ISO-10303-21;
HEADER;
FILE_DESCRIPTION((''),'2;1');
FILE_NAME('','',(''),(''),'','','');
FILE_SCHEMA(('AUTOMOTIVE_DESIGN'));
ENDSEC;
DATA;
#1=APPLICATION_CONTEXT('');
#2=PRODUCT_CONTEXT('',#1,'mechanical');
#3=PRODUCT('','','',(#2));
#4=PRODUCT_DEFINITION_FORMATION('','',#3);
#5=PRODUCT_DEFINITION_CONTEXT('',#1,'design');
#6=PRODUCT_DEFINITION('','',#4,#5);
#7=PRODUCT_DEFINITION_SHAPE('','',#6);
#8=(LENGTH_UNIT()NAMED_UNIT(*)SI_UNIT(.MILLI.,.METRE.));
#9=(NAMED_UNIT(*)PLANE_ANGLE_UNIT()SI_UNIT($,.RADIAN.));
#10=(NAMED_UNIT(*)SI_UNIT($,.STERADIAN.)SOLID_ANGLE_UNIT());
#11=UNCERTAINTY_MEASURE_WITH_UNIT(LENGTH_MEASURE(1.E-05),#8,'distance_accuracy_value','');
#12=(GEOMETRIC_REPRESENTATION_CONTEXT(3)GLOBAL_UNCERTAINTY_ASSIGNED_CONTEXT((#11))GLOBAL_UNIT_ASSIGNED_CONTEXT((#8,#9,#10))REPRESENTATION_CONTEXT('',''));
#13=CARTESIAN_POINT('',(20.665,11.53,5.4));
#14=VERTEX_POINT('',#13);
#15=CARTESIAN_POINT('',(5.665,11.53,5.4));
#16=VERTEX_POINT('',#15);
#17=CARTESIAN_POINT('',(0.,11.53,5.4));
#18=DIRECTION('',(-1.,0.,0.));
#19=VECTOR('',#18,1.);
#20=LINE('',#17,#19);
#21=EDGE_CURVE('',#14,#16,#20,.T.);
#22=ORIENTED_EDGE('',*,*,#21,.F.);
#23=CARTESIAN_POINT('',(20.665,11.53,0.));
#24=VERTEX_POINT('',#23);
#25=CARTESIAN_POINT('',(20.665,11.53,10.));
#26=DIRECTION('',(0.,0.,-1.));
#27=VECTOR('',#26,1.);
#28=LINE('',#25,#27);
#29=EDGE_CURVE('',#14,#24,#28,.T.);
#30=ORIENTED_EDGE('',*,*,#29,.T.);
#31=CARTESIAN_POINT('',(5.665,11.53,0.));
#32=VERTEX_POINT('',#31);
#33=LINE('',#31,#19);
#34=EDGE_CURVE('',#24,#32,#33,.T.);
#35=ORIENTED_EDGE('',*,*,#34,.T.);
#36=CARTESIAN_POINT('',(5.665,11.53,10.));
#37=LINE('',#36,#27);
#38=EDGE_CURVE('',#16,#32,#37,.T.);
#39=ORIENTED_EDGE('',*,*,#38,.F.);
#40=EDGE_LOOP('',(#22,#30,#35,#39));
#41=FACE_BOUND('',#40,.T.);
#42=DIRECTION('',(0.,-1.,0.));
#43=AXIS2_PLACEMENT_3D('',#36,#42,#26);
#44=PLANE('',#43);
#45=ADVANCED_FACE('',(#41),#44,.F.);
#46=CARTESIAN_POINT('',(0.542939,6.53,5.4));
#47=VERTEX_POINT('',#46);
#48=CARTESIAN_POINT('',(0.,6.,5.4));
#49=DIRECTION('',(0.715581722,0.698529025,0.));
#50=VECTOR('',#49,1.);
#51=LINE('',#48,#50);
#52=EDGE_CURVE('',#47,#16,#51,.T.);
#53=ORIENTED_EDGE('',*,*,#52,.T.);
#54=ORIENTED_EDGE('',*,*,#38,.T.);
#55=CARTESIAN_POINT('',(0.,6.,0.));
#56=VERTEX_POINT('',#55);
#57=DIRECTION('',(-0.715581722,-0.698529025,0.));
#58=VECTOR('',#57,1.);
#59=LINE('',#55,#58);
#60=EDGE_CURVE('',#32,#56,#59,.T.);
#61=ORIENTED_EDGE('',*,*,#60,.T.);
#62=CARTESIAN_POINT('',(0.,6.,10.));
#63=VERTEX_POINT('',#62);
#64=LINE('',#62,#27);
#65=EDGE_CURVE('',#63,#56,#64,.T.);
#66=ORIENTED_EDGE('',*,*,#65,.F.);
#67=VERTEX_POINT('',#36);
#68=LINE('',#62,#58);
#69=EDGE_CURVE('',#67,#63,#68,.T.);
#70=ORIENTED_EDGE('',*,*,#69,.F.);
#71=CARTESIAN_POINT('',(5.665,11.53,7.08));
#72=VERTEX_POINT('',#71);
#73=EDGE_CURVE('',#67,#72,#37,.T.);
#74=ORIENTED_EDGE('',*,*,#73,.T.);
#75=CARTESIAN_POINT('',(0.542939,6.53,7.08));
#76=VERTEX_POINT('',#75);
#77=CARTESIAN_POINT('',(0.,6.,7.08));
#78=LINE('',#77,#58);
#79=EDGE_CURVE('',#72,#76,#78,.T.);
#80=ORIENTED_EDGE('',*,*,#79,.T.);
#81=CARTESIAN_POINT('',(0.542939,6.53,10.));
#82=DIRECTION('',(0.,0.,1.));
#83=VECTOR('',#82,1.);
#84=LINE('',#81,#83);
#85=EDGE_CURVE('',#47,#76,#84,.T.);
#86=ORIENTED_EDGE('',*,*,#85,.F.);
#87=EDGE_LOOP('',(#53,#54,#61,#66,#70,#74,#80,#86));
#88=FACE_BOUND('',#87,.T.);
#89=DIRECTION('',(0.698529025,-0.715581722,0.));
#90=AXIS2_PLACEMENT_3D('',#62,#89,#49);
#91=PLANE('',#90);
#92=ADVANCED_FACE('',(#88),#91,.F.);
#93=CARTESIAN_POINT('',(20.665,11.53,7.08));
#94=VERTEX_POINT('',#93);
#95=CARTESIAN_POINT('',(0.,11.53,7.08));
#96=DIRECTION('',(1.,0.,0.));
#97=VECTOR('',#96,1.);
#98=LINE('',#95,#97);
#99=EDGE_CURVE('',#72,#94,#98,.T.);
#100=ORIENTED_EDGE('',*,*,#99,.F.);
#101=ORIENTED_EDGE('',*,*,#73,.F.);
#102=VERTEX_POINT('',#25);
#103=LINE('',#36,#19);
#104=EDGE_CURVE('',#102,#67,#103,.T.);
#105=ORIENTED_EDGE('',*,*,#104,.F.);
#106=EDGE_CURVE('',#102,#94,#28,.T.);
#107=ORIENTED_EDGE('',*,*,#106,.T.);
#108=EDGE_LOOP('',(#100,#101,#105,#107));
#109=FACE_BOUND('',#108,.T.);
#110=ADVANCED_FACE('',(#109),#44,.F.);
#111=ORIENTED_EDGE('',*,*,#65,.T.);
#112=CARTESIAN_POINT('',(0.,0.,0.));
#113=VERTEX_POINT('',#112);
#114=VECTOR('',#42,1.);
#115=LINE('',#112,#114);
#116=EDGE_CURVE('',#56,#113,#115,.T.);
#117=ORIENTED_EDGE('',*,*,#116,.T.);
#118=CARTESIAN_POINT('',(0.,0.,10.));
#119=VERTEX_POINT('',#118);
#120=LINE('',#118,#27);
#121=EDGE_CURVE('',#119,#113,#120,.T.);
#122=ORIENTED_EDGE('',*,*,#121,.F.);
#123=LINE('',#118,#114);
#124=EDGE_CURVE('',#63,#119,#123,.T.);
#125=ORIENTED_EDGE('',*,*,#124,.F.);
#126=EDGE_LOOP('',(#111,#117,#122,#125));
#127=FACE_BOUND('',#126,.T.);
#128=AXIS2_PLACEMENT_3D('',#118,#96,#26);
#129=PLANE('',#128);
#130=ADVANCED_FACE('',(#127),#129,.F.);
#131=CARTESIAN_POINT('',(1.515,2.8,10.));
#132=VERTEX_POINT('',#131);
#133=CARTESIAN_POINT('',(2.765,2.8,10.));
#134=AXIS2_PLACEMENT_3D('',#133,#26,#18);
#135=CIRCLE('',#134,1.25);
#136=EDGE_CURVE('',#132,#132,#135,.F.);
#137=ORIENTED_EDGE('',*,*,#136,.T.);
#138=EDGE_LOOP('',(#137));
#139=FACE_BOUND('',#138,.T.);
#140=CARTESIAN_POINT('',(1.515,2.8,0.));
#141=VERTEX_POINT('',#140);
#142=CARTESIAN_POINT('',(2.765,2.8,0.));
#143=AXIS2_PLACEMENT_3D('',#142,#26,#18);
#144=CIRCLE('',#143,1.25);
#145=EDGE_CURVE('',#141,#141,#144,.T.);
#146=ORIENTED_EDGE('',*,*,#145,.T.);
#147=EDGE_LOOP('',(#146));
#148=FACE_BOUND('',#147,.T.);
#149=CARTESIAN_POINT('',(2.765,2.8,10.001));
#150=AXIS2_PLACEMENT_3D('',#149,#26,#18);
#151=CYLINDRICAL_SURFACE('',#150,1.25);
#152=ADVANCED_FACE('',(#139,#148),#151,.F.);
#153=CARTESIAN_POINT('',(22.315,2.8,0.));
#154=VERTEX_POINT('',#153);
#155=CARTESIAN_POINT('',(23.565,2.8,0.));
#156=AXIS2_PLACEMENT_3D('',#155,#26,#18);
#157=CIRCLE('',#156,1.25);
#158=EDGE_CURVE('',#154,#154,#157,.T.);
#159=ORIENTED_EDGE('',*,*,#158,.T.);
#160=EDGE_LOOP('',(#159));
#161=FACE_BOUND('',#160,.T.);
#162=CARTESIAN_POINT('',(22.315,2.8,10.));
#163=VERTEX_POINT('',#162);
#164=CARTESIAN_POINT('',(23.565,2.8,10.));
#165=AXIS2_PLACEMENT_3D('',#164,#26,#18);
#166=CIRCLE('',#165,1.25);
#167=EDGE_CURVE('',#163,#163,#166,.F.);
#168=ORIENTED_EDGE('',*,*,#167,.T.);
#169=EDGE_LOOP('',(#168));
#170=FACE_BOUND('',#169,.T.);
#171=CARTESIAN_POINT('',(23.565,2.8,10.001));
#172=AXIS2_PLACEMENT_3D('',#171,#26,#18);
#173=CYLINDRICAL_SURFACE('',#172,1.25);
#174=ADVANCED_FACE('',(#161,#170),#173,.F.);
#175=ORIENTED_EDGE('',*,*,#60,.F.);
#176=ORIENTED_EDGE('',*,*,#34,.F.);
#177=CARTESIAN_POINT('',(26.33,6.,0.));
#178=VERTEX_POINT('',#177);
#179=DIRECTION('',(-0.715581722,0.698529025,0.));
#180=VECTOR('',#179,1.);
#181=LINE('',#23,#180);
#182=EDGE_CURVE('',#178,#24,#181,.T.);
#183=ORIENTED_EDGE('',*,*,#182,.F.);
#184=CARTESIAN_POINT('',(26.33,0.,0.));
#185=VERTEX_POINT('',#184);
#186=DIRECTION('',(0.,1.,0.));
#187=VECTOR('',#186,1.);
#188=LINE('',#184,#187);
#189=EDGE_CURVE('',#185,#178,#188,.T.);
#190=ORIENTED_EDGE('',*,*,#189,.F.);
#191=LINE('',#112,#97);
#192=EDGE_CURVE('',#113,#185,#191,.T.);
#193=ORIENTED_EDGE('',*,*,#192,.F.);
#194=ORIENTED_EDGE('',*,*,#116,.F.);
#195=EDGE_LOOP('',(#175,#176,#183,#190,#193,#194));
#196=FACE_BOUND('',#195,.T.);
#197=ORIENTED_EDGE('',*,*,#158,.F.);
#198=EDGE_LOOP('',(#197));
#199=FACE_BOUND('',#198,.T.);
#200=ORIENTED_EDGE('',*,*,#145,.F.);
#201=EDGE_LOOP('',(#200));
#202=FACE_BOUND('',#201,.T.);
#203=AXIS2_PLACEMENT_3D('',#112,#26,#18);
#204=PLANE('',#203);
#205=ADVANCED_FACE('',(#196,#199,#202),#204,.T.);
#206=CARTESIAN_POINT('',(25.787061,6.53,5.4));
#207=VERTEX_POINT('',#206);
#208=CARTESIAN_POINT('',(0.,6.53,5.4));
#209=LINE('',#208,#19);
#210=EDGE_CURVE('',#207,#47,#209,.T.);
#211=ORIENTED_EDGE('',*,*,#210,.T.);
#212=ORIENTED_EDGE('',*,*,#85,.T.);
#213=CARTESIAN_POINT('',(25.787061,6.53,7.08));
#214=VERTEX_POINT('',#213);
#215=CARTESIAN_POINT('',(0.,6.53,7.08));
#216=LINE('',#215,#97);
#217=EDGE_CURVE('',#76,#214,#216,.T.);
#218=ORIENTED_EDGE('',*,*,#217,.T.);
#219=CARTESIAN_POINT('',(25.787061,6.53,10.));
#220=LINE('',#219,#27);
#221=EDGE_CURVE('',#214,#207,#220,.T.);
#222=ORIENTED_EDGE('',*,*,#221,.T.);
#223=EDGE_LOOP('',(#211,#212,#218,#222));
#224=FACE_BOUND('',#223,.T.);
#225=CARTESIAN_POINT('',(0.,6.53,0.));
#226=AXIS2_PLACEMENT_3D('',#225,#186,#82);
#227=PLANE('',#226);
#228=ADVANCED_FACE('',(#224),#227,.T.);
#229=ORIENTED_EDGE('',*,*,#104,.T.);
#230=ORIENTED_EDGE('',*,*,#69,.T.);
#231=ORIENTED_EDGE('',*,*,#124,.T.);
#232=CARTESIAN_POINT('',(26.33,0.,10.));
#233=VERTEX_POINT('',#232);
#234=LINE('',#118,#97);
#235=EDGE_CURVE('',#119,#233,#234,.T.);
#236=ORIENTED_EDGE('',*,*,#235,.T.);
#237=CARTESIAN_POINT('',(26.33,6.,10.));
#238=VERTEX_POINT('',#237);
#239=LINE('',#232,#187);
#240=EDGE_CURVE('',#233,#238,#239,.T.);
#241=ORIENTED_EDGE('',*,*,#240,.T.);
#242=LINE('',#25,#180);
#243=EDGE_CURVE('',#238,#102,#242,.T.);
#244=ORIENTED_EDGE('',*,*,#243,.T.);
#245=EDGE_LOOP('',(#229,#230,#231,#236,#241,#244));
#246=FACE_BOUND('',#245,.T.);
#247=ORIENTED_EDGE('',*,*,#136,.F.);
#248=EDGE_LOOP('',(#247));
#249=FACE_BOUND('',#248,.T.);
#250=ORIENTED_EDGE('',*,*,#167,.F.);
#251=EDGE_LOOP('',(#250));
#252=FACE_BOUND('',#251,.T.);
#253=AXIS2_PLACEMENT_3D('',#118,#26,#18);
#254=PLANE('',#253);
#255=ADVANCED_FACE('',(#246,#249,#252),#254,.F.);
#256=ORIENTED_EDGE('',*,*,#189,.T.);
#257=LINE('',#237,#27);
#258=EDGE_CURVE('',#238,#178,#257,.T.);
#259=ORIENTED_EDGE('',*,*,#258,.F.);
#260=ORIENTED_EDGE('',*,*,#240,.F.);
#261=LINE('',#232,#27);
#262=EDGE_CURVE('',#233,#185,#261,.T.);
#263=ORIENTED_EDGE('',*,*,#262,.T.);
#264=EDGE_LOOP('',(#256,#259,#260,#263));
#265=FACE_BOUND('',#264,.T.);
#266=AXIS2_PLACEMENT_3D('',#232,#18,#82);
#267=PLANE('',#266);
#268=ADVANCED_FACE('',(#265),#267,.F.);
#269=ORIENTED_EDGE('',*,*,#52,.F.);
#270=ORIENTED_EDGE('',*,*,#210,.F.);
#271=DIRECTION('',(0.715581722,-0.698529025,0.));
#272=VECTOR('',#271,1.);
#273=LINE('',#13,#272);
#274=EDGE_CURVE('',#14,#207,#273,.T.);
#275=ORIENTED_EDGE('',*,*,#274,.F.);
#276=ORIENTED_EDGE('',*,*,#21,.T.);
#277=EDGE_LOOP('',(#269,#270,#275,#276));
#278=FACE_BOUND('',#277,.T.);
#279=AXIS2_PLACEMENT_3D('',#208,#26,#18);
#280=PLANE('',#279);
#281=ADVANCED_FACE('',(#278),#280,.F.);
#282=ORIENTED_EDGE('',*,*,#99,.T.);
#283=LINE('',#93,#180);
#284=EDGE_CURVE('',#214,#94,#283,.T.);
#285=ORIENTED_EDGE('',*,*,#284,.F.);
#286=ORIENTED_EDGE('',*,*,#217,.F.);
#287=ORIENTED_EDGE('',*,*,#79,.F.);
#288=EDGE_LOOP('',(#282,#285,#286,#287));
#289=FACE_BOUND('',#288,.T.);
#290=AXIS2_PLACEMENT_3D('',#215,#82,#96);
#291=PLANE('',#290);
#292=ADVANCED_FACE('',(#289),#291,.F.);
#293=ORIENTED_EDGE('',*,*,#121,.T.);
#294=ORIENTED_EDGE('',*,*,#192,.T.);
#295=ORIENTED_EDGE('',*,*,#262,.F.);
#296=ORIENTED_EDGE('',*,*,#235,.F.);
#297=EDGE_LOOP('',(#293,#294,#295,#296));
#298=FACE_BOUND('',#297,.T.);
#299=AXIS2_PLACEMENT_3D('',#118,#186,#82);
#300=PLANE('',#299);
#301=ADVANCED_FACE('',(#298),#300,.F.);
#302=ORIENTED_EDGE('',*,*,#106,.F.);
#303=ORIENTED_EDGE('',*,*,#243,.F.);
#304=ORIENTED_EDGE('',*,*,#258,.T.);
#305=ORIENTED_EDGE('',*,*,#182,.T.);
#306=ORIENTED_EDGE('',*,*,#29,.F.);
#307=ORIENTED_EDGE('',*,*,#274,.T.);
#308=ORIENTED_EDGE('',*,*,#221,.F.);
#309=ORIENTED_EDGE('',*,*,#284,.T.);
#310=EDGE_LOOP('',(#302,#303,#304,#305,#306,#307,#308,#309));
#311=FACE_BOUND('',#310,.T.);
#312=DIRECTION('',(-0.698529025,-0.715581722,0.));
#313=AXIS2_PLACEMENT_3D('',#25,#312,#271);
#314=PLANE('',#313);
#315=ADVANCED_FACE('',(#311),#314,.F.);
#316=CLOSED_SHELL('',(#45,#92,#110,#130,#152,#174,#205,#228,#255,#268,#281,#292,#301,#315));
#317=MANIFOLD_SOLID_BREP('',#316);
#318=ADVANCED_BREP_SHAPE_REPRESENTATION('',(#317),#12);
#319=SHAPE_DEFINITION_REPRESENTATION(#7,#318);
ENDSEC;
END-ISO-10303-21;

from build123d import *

# Parameters (mm, degrees)
EXTRUDE_1_DEPTH     = 10
SKETCH_2_W          = 26.33
SKETCH_2_H          = 1.68
CUT_EXTRUDE_1_DEPTH = 5
CUT_EXTRUDE_2_REACH = 32.434
SKETCH_3_R          = 1.25


with BuildPart() as part:
    # 草图1 → 凸台-拉伸1 (new body)
    with BuildSketch(Plane.XY):
        Polygon((0, 0), (26.33, 0), (26.33, 6), (20.665, 11.53), (5.665, 11.53), (0, 6), align=None)
    extrude(amount=EXTRUDE_1_DEPTH)

    # 草图2 → 切除-拉伸1 (cut)
    with BuildSketch(Plane(origin=(0, 11.53, 0), x_dir=(1, 0, 0), z_dir=(0, 1, 0))):
        with Locations((13.165, -6.24)):
            Rectangle(SKETCH_2_W, SKETCH_2_H)
    extrude(amount=-CUT_EXTRUDE_1_DEPTH, mode=Mode.SUBTRACT)

    # 草图3 → 切除-拉伸2 (cut, up to next)
    with BuildSketch(Plane(origin=(0, 0, 0), x_dir=(-1, 0, 0), z_dir=(0, 0, -1)), mode=Mode.PRIVATE) as cut_extrude_2_sk1:
        with Locations((-23.565, 2.8)):
            Circle(SKETCH_3_R)
    cut_extrude_2_tool1 = extrude(cut_extrude_2_sk1.sketch, amount=-CUT_EXTRUDE_2_REACH, mode=Mode.PRIVATE) & part.part
    # 草图3 → 切除-拉伸2 (cut, up to next)
    with BuildSketch(Plane(origin=(0, 0, 0), x_dir=(-1, 0, 0), z_dir=(0, 0, -1)), mode=Mode.PRIVATE) as cut_extrude_2_sk2:
        with Locations((-2.765, 2.8)):
            Circle(SKETCH_3_R)
    cut_extrude_2_tool2 = extrude(cut_extrude_2_sk2.sketch, amount=-CUT_EXTRUDE_2_REACH, mode=Mode.PRIVATE) & part.part
    add(cut_extrude_2_tool1.solids().sort_by_distance((23.565, 2.8, 0))[0], mode=Mode.SUBTRACT)
    add(cut_extrude_2_tool2.solids().sort_by_distance((2.765, 2.8, 0))[0], mode=Mode.SUBTRACT)


solid = part.part
